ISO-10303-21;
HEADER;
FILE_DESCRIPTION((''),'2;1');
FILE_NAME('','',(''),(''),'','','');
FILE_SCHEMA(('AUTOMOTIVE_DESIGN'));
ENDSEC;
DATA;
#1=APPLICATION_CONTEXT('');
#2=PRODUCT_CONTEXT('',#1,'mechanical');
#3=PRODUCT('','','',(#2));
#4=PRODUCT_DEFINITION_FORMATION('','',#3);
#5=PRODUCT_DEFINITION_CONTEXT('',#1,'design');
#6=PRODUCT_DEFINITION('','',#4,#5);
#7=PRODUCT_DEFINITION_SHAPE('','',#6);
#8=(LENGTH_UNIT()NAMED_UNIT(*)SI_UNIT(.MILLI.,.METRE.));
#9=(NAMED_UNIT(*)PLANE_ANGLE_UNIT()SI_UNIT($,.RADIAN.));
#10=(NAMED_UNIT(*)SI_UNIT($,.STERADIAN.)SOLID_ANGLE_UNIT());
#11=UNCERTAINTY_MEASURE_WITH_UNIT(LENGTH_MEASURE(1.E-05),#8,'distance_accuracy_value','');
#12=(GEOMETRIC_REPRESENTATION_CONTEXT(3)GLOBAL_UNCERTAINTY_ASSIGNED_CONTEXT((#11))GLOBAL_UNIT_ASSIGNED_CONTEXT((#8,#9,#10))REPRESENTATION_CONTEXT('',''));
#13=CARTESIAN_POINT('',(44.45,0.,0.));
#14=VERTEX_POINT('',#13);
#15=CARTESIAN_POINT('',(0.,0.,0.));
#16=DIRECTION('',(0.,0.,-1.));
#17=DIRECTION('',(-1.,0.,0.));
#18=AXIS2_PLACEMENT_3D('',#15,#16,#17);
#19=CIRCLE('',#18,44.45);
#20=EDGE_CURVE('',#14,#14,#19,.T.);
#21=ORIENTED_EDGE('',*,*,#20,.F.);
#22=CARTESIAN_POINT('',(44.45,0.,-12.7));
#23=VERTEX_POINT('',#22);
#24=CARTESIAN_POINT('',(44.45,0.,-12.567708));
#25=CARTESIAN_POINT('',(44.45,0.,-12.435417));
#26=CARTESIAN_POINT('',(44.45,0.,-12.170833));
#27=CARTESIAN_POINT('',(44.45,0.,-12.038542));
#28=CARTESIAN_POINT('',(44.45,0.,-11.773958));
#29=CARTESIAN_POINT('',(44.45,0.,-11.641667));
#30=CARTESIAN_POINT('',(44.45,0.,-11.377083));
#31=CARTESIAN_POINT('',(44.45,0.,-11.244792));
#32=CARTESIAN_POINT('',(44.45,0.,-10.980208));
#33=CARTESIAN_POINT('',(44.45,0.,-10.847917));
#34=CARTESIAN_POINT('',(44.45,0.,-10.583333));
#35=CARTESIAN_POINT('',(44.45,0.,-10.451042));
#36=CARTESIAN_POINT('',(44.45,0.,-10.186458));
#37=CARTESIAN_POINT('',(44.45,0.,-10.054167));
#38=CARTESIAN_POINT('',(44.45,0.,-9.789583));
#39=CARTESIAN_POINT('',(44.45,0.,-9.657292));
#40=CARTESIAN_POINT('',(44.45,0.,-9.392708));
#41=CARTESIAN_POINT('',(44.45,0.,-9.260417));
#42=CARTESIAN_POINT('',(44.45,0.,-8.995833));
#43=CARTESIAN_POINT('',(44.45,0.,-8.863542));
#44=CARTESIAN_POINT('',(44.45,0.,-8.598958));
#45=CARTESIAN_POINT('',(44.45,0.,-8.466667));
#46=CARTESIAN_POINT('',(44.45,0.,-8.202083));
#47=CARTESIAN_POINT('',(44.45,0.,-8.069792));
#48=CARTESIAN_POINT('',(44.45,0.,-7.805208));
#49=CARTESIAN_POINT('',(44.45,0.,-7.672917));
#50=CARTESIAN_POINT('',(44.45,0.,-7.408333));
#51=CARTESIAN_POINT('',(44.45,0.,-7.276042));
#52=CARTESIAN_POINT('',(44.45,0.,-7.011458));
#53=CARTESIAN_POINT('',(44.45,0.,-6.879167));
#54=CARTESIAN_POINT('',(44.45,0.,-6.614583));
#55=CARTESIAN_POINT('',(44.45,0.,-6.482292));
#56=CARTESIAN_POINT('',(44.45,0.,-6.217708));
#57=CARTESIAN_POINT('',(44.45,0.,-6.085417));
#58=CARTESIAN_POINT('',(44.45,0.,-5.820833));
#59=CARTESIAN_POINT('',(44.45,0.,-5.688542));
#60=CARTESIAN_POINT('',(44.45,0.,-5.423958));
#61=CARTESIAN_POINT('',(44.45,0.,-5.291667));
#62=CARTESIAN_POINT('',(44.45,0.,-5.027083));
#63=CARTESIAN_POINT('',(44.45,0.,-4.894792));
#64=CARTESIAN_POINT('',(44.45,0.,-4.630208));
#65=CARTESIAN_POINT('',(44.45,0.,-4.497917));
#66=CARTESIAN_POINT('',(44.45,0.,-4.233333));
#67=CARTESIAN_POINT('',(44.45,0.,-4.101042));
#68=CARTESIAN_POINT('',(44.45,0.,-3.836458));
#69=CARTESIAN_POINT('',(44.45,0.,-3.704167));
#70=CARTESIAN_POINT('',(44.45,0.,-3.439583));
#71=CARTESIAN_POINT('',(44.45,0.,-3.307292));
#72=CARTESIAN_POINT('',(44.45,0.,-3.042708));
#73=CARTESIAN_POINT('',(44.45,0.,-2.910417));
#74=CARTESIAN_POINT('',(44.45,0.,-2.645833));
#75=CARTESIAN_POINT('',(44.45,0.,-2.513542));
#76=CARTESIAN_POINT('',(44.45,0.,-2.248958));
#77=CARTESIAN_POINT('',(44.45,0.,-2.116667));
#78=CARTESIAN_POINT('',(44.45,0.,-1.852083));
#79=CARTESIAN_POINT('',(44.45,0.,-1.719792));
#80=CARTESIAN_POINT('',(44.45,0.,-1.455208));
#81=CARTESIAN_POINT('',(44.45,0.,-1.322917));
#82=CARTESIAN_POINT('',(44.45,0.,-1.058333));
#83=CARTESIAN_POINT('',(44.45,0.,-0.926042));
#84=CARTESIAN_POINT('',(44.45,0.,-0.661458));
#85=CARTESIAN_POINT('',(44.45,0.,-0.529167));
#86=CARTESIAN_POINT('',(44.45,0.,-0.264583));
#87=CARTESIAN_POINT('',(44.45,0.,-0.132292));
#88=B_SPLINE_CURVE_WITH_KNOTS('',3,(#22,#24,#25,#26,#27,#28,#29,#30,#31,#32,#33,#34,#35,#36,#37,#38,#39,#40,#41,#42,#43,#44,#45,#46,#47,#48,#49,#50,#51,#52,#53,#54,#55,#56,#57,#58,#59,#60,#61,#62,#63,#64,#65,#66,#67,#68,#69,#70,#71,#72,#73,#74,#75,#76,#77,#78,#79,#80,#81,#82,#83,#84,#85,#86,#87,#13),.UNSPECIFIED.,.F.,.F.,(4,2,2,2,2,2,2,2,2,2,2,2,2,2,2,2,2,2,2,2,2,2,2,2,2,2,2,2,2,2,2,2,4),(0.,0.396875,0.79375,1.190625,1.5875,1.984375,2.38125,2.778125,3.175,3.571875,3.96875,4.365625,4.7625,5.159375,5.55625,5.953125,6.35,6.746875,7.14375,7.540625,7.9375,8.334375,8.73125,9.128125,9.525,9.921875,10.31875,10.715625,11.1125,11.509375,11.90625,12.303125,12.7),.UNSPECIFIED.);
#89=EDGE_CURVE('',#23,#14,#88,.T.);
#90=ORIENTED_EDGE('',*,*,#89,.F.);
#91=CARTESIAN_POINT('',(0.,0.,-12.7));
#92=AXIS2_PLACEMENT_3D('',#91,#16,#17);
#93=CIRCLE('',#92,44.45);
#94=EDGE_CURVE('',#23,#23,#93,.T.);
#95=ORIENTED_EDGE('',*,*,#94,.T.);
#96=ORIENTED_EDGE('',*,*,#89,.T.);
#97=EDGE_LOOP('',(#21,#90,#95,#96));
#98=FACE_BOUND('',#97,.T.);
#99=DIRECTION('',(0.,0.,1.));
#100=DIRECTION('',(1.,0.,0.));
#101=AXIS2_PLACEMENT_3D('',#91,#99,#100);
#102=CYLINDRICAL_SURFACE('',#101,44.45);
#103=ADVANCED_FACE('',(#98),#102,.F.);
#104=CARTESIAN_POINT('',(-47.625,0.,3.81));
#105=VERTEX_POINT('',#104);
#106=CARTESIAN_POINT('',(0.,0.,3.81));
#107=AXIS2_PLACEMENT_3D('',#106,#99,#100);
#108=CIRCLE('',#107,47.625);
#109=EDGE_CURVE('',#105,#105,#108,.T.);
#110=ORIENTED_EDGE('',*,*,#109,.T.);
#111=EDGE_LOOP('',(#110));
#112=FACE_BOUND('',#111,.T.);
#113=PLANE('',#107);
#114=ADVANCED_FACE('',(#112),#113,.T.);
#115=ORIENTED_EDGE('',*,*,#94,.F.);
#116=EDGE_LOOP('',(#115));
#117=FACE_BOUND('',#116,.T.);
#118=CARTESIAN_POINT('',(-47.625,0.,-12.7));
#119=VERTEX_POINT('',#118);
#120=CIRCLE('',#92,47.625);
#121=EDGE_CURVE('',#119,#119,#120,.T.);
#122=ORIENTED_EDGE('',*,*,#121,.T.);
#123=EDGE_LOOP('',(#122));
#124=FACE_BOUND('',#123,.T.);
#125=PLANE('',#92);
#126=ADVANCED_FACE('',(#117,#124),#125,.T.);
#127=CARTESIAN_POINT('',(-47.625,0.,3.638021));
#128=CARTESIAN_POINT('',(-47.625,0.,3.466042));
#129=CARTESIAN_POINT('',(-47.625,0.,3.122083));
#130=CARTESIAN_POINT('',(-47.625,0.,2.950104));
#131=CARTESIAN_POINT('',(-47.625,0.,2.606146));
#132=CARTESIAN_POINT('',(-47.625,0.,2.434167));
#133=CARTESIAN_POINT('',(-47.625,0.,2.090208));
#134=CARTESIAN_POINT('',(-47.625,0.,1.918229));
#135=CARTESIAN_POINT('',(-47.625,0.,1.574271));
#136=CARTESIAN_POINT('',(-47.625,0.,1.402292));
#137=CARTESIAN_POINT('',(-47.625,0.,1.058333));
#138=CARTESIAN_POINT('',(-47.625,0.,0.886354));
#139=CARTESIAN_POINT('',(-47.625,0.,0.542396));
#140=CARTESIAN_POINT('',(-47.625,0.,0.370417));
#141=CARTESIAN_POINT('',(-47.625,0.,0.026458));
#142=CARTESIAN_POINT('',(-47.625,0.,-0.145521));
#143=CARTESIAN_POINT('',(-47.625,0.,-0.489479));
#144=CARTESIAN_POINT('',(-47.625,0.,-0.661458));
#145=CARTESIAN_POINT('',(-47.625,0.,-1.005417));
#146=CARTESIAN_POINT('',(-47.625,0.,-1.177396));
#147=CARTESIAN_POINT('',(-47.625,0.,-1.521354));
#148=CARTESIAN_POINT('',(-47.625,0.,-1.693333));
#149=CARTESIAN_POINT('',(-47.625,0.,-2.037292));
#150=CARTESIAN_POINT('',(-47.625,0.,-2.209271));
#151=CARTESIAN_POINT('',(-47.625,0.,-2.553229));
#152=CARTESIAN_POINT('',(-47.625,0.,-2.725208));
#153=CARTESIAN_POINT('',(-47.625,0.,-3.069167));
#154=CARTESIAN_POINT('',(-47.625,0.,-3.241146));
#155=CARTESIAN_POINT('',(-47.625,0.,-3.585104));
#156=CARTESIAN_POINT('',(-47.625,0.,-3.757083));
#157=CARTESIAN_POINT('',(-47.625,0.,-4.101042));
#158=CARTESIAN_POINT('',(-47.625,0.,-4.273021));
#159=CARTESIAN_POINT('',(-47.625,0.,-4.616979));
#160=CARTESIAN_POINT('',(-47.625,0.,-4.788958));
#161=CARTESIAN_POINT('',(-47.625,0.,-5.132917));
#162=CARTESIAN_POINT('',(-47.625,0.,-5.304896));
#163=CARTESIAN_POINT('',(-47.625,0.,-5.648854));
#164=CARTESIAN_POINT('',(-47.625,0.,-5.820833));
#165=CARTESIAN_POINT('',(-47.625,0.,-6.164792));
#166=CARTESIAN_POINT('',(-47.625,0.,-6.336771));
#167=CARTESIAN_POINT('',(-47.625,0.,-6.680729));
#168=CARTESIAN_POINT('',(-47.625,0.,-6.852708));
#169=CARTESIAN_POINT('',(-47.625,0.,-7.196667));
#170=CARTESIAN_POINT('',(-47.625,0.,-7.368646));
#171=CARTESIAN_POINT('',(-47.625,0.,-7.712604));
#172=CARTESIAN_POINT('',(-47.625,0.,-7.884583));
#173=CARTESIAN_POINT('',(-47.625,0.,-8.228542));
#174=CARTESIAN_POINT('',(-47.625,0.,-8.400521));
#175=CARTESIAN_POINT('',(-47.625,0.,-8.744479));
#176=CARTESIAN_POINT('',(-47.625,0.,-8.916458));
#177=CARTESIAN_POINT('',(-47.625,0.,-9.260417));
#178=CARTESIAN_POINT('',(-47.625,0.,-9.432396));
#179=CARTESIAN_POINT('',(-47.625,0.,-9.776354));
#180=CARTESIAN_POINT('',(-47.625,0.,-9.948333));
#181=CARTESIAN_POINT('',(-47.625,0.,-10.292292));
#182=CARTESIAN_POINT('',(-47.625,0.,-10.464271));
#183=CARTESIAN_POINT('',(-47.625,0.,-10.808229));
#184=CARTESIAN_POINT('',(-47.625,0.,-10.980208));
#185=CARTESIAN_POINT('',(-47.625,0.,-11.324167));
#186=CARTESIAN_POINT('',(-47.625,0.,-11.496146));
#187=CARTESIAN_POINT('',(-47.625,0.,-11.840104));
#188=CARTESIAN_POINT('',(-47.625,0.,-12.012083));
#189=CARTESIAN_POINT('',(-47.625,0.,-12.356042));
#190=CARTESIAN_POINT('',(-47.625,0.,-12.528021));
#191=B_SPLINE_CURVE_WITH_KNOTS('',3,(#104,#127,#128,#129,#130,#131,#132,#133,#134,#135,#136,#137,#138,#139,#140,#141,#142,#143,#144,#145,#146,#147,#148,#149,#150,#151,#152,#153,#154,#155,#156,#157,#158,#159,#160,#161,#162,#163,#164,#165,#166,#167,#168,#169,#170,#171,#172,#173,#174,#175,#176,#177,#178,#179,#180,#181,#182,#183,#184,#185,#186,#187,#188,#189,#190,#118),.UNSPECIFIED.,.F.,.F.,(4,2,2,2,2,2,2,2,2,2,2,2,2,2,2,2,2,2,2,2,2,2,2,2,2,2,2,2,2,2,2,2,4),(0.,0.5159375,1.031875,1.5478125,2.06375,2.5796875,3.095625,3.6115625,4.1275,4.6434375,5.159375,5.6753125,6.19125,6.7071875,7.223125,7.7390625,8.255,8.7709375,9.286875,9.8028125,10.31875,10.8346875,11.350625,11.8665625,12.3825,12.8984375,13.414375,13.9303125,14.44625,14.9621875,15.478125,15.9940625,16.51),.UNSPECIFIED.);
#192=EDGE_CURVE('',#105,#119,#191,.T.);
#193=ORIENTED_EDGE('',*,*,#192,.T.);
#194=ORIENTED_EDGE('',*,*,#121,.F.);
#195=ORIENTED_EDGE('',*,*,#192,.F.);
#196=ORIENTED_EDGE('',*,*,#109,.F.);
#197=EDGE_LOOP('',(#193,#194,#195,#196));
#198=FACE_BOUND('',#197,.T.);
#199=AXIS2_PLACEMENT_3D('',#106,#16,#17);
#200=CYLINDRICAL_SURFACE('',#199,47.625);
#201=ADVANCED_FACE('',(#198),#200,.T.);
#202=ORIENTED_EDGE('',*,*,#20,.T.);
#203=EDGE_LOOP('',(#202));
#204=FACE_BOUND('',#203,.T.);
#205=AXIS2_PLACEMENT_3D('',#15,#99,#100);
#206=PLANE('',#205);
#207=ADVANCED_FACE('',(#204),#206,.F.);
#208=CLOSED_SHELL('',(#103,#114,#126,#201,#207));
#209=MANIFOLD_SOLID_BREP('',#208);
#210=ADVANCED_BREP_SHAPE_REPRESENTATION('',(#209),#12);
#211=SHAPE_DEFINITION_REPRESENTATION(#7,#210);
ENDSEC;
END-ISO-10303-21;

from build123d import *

# Parameters (mm, degrees)
SKETCH1_R           = 47.625
BOSS_EXTRUDE1_DEPTH = 3.81
BOSS_EXTRUDE2_START = 12.7
SKETCH4_R           = 47.625
SKETCH4_R_2         = 44.45
BOSS_EXTRUDE2_DEPTH = 12.7


with BuildPart() as part:
    # Sketch1 → Boss-Extrude1 (new body)
    with BuildSketch(Plane.XY):
        with Locations(Location((0, 0, 0), (0, 0, 180))):
            Circle(SKETCH1_R)
    extrude(amount=BOSS_EXTRUDE1_DEPTH)

    # Sketch4 → Boss-Extrude2 (add)
    with BuildSketch(Plane(origin=(0, 0, 0), x_dir=(-1, 0, 0), z_dir=(0, 0, -1)).offset(BOSS_EXTRUDE2_START)):
        Circle(SKETCH4_R)
        with Locations(Location((0, 0, 0), (0, 0, 180))):
            Circle(SKETCH4_R_2, mode=Mode.SUBTRACT)
    extrude(amount=-BOSS_EXTRUDE2_DEPTH)


solid = part.part
